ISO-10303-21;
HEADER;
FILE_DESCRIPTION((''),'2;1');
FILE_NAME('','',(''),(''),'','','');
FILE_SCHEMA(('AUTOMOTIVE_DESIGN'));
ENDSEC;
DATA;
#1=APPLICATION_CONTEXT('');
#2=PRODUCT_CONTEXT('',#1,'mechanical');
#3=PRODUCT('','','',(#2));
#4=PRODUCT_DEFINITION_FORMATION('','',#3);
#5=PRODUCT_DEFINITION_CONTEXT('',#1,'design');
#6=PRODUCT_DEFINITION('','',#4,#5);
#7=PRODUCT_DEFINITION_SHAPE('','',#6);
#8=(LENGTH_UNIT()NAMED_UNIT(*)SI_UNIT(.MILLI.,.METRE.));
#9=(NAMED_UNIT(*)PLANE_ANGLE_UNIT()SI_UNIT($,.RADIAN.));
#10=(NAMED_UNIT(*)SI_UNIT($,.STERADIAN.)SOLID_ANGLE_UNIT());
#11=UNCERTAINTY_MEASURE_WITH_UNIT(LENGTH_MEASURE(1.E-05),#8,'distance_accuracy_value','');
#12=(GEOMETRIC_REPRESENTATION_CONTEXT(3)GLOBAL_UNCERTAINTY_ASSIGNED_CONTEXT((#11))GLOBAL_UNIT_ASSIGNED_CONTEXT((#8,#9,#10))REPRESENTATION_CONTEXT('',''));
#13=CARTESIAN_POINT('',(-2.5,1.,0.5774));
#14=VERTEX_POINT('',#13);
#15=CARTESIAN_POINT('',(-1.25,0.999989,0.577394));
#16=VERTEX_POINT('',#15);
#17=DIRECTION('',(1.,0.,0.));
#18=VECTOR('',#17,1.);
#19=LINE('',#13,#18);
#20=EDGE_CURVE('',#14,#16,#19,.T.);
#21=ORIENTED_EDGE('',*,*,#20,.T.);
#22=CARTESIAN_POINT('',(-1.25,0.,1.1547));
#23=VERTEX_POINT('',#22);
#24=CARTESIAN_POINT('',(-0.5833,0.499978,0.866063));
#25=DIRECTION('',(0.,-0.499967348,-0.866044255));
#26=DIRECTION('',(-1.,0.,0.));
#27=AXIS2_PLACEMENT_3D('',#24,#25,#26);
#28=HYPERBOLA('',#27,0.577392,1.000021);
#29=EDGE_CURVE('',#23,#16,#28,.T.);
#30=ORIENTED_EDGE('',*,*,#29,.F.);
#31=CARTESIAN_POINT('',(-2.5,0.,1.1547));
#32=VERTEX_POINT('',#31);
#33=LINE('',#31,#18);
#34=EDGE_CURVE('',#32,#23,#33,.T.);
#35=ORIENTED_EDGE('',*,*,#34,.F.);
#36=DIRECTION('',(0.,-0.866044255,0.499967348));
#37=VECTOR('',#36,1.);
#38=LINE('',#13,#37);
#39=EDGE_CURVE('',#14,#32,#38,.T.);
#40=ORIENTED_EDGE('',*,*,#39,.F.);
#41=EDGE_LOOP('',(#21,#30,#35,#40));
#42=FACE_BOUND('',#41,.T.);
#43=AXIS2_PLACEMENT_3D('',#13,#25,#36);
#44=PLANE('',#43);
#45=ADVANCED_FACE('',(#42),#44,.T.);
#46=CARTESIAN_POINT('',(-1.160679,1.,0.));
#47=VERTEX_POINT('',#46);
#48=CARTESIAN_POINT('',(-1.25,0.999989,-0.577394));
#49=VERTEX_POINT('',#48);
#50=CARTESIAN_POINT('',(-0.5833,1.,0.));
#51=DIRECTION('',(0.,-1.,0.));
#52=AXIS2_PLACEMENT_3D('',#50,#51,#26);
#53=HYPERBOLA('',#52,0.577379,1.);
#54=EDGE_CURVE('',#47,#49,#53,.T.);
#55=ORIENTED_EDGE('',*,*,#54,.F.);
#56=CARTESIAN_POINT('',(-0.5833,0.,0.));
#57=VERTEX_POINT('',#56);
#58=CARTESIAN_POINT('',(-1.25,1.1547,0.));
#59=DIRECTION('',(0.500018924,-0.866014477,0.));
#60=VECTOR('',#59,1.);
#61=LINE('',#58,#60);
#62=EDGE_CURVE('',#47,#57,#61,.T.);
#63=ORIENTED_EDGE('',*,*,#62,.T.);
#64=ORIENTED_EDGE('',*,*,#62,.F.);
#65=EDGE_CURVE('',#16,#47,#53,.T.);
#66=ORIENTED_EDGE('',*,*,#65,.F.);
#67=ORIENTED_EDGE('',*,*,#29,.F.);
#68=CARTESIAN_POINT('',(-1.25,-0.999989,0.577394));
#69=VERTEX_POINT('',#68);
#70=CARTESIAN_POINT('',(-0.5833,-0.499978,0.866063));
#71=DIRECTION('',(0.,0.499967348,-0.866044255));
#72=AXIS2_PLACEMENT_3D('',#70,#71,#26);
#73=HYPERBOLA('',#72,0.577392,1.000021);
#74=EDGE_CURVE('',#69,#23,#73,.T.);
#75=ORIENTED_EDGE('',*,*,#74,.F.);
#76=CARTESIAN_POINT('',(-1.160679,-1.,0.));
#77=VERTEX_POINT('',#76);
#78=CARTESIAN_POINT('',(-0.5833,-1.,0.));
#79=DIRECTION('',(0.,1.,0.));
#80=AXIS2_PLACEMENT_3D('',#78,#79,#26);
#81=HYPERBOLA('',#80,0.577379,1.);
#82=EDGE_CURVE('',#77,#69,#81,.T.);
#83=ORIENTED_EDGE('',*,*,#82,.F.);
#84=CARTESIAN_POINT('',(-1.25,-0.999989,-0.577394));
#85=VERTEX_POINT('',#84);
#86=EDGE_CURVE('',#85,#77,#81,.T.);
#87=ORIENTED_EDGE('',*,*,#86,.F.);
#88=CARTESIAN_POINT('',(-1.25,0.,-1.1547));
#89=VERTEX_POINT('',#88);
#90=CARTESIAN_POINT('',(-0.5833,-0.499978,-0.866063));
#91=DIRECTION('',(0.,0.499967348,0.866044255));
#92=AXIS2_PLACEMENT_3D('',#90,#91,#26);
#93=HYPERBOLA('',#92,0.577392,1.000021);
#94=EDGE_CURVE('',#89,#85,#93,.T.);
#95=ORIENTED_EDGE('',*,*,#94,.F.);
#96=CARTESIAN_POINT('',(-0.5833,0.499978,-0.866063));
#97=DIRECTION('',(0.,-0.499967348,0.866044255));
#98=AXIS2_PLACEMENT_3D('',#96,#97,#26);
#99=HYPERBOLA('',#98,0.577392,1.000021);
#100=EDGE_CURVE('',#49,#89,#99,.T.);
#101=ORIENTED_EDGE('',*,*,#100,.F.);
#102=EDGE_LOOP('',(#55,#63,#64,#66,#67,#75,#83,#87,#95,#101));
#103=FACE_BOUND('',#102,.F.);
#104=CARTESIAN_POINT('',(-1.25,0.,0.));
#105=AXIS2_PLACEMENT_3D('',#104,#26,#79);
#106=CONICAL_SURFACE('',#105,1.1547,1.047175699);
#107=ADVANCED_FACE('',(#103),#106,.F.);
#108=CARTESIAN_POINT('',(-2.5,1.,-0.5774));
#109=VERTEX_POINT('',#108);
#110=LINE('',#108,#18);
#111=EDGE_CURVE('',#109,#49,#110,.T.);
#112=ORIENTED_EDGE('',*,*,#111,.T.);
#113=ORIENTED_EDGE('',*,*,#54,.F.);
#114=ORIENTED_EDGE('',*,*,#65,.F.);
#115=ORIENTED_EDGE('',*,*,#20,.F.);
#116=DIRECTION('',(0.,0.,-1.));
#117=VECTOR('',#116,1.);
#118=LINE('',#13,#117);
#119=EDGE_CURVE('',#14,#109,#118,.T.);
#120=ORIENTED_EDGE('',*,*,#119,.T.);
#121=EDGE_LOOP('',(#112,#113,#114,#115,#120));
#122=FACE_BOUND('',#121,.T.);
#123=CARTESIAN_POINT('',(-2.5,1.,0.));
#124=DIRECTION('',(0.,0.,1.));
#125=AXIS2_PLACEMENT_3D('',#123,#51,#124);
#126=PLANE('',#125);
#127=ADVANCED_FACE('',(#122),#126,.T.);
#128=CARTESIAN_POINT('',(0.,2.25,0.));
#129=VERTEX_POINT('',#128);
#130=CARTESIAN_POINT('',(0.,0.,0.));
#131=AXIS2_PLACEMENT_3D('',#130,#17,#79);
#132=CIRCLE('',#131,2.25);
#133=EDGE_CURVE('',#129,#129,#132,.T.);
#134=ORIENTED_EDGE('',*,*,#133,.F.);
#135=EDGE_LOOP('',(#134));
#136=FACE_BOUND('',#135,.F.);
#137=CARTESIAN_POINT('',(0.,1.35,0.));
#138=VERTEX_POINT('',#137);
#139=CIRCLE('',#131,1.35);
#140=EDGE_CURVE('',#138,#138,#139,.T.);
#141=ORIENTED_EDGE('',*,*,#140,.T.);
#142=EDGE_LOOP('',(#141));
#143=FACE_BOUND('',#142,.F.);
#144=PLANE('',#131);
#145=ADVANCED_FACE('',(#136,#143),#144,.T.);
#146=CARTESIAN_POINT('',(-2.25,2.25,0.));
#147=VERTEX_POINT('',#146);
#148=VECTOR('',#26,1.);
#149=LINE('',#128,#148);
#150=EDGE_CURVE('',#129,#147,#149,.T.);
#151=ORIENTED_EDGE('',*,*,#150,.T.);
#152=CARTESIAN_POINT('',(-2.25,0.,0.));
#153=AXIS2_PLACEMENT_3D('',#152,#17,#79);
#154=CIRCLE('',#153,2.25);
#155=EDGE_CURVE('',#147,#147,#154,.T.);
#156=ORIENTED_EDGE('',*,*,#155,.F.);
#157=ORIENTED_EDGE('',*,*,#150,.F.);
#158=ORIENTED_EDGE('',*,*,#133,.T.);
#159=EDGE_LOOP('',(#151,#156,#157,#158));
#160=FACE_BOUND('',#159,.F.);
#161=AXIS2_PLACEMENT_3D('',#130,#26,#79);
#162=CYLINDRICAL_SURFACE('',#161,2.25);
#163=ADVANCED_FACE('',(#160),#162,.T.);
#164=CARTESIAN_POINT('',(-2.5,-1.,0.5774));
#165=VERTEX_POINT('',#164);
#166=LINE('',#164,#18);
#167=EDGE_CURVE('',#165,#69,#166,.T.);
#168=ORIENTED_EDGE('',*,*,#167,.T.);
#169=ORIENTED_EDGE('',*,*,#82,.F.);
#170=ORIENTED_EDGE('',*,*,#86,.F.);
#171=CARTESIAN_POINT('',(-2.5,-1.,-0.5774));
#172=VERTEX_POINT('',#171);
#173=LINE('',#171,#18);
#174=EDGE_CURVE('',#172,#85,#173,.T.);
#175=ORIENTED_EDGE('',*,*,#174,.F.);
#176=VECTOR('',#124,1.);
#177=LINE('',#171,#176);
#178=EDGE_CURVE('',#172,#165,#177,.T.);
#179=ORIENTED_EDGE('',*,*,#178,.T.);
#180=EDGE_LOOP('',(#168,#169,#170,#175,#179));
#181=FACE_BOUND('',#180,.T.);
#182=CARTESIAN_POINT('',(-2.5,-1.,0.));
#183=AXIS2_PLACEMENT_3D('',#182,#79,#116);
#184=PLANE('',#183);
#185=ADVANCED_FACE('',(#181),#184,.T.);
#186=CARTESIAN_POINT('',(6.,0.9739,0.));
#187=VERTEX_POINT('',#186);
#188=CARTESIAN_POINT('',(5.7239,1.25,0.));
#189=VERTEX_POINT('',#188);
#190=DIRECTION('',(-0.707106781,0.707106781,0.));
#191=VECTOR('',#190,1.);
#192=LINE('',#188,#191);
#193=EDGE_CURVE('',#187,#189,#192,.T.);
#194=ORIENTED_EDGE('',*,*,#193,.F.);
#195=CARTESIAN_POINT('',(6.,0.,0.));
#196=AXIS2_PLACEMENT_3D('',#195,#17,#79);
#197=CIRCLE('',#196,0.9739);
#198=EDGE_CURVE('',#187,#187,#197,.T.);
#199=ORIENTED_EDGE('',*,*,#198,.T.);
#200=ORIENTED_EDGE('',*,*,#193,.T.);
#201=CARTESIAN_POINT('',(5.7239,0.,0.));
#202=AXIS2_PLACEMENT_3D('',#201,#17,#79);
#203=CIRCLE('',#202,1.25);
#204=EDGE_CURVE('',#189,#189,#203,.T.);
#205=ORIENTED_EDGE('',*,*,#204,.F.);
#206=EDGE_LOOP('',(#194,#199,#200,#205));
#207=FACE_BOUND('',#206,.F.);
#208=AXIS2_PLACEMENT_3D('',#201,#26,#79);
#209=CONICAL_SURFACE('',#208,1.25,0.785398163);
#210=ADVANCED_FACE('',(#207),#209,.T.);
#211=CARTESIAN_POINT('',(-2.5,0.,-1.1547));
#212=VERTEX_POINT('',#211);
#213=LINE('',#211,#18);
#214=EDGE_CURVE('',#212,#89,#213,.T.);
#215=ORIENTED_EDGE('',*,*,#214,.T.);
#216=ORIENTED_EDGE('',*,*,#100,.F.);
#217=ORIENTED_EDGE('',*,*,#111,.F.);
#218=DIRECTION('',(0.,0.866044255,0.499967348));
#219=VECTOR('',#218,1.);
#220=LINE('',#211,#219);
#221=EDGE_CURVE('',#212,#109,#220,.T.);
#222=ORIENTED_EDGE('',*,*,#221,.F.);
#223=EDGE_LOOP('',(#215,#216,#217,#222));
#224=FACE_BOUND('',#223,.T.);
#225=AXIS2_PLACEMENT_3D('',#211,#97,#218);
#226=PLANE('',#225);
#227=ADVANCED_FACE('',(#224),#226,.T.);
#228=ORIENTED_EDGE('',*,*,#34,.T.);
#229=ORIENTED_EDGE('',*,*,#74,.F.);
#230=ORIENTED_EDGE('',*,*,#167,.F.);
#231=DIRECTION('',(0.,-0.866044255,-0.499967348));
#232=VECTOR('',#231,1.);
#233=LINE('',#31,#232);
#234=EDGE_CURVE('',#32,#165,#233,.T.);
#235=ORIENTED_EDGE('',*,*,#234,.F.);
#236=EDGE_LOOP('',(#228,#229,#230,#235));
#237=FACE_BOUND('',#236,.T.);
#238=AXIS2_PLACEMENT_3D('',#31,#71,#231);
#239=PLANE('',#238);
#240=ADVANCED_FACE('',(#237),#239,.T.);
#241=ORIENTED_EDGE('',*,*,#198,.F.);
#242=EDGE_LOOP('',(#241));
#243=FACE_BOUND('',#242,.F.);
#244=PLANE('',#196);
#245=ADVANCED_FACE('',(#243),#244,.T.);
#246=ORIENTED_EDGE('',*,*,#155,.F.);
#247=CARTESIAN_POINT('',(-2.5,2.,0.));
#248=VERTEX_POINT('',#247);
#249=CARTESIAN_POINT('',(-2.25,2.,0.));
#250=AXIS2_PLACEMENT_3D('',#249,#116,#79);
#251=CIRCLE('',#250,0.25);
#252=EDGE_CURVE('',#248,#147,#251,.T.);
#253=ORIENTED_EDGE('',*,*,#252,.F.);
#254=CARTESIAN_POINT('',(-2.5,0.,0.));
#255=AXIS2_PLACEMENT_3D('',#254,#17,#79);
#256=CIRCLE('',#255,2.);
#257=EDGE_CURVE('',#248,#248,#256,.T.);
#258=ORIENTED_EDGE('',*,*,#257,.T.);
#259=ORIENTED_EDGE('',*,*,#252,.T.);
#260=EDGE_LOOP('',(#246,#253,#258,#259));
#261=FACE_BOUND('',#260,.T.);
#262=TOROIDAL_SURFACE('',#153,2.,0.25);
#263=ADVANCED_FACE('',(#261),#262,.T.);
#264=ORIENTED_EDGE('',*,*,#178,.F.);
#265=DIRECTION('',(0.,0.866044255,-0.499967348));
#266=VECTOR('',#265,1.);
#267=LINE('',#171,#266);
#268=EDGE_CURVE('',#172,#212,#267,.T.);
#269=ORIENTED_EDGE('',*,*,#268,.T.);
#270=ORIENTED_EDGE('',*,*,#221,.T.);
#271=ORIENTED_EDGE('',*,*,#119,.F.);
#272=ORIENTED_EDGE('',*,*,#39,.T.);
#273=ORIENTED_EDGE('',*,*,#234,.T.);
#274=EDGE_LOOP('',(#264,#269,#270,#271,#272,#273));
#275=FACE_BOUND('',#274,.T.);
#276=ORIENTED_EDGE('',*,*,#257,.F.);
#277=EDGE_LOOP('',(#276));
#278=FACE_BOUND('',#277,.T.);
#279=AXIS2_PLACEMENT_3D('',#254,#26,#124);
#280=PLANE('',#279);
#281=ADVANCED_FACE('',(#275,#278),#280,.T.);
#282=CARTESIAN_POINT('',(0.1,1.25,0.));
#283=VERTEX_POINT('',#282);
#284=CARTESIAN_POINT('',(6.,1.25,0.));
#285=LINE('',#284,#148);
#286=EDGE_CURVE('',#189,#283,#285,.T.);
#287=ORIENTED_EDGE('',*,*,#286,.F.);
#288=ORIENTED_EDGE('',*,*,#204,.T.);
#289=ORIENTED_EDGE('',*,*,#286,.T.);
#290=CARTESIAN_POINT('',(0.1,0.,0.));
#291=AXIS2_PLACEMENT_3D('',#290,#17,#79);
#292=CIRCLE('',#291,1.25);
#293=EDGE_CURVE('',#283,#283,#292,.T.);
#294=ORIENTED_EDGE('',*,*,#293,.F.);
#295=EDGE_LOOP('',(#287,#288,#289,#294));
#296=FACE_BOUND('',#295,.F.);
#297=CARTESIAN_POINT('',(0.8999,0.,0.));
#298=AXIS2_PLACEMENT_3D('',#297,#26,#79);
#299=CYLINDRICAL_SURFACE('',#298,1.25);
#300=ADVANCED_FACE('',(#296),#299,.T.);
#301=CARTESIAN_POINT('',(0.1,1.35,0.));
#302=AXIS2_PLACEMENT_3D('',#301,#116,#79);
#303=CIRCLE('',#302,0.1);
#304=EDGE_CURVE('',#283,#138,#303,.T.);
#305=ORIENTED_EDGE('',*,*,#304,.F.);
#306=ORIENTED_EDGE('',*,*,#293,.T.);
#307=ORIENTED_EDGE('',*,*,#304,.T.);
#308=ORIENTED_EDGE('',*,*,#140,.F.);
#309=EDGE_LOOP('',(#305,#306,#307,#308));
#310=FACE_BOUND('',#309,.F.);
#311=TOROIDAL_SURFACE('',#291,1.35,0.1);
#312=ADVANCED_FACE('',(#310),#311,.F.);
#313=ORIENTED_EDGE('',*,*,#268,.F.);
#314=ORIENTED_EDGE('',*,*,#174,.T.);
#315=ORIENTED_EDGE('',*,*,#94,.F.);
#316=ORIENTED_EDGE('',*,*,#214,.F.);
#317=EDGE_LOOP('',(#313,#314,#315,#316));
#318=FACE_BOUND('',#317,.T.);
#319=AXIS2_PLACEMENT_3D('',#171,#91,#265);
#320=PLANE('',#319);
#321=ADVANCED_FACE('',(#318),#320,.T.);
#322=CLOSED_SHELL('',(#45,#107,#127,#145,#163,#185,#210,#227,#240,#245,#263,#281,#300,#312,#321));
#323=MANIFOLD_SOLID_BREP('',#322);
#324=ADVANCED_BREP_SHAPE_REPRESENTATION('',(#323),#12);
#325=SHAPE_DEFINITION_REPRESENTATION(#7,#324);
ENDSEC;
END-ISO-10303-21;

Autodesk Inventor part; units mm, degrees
ref_plane "YZ Plane" through (0, 0, 0) normal (1, 0, 0) x (0, 1, 0)
ref_plane "XZ Plane" through (0, 0, 0) normal (0, 1, 0) x (-1, 0, 0)
sketch "Sketch1" plane through (0, 0, 0) normal (0, 0, 1) x (1, 0, 0)
  line L0 (-0.5833, 0) -> (6, 0)
  line L1 (6, 0) -> (6, 1.25)
  line L2 (6, 1.25) -> (1.1761, 1.25)
  line L3 (1.1761, 1.25) -> (0.8999, 1.25)
  line L4 (0.8999, 1.25) -> (0, 1.25)
  line L5 (0, 1.25) -> (0, 2.25)
  line L6 (0, 2.25) -> (-2.5, 2.25)
  line L7 (-2.5, 2.25) -> (-2.5, 1.1547)
  line L8 (-2.5, 1.1547) -> (-1.25, 1.1547)
  line L9 (-1.25, 1.1547) -> (-0.5833, 0)
  line L10 (-4.2, 0) -> (7.7, 0) projected
  line L11 (0, -0.45) -> (0, 2.7) projected
  line L12 (1.1761, 1.25) -> (0, 1.25) construction
  dimension "d1" = 4.8239
  dimension "d2" = 0.2762
  dimension "d3" = 2.5
  dimension "d4" = 1.25
  dimension "d5" = 60
  dimension "d6" = 2.5
  dimension "d7" = 2.5
  dimension "d8" = 2.3094
  dimension "d9" = 4.5
  dimension "d26" = 6
revolve "Body" add sketch "Sketch1" angle 360 about axis through (-0.5833, 0, 0) along (1, 0, 0)
sketch "Sketch2" plane through (-2.5, 0, 0) normal (-1, 0, 0) x (0, 0, 1)
  circle A0 centre (0, 0) radius 1.1547 projected
  line L0 (0, -3.15) -> (0, 3.15) projected
  line L1 (-3.15, 0) -> (3.15, 0) projected
  line L2 (1.1547, 0) -> (0.5774, -1)
  line L3 (0.5774, -1) -> (-0.5774, -1)
  line L4 (-0.5774, -1) -> (-1.1547, 0)
  line L5 (-1.1547, 0) -> (-0.5774, 1)
  line L6 (-0.5774, 1) -> (0.5774, 1)
  line L7 (0.5774, 1) -> (1.1547, 0)
extrude "Slot" add sketch "Sketch2" against normal up to next contours L7 A0 | A0 L2 | L6 L0 A0 | A0 L0 L3 | L0 L6 A0 | A0 L3 L0 | L4 A0 | A0 L5
fillet "Fillet1" radius 0.25 1 edges at (-2.5, -2.25, 0)
thread "Thread" size "M2.5x0.45" class "6g" standard "ISO Metric profile" length 4.8239
chamfer "Chamfer1" distance 0.2761 distance2 0.2761 1 edges at (6, -1.25, 0) measured on face at (6, -0.1825, -0.5629)
ref_plane "Work Plane1" through (29, 0, 0) normal (0, -1, 0) x (1, 0, 0)
fillet "Fillet2" radius 0.1 1 edges at (0, -1.25, 0)
equation "\"d30\" = R"
equation "\"d17\" = RR"
equation "\"d13\" = GEL"
equation "\"d15\" = -0.5 * SPD + 0.5 * GD"
equation "\"d16\" = GUL"
equation "\"d1\" = GEL"
equation "\"d3\" = KOH"
equation "\"d4\" = INTI"
equation "\"d6\" = GD"
equation "\"d7\" = BDM"
equation "\"d8\" = 1.1547 * SW"
equation "\"d9\" = KOD"
equation "\"d26\" = NLG"
equation "\"GD\" = NND"
equation "\"NLG\" = 6"
equation "\"GEL\" = 4.82395"
equation "\"KOD\" = 4.5"
equation "\"KOH\" = 2.5"
equation "\"INTI\" = 1.25"
equation "\"GAL\" = 0.61345 * PTC"
equation "\"GUL\" = 0.61345 * PTC"
equation "\"BDM\" = NND"
equation "\"SW\" = 2"
equation "\"RR\" = 0.25"
equation "\"SPD\" = 1.94789"
equation "\"R\" = 0.1"
equation "\"TOA\" = 30deg"
equation "\"THREADDIA\" = 2.5"
equation "\"PTC\" = 0.45"
equation "\"NND\" = 2.5"
equation "\"E0\" = 1.155 * SW"
equation "\"GD1\" = THREADDIA - 1.2269 * PTC"
properties part number "ANSI B18.3.1M - M2.5x0.45 x 6" material "Steel, Mild"
